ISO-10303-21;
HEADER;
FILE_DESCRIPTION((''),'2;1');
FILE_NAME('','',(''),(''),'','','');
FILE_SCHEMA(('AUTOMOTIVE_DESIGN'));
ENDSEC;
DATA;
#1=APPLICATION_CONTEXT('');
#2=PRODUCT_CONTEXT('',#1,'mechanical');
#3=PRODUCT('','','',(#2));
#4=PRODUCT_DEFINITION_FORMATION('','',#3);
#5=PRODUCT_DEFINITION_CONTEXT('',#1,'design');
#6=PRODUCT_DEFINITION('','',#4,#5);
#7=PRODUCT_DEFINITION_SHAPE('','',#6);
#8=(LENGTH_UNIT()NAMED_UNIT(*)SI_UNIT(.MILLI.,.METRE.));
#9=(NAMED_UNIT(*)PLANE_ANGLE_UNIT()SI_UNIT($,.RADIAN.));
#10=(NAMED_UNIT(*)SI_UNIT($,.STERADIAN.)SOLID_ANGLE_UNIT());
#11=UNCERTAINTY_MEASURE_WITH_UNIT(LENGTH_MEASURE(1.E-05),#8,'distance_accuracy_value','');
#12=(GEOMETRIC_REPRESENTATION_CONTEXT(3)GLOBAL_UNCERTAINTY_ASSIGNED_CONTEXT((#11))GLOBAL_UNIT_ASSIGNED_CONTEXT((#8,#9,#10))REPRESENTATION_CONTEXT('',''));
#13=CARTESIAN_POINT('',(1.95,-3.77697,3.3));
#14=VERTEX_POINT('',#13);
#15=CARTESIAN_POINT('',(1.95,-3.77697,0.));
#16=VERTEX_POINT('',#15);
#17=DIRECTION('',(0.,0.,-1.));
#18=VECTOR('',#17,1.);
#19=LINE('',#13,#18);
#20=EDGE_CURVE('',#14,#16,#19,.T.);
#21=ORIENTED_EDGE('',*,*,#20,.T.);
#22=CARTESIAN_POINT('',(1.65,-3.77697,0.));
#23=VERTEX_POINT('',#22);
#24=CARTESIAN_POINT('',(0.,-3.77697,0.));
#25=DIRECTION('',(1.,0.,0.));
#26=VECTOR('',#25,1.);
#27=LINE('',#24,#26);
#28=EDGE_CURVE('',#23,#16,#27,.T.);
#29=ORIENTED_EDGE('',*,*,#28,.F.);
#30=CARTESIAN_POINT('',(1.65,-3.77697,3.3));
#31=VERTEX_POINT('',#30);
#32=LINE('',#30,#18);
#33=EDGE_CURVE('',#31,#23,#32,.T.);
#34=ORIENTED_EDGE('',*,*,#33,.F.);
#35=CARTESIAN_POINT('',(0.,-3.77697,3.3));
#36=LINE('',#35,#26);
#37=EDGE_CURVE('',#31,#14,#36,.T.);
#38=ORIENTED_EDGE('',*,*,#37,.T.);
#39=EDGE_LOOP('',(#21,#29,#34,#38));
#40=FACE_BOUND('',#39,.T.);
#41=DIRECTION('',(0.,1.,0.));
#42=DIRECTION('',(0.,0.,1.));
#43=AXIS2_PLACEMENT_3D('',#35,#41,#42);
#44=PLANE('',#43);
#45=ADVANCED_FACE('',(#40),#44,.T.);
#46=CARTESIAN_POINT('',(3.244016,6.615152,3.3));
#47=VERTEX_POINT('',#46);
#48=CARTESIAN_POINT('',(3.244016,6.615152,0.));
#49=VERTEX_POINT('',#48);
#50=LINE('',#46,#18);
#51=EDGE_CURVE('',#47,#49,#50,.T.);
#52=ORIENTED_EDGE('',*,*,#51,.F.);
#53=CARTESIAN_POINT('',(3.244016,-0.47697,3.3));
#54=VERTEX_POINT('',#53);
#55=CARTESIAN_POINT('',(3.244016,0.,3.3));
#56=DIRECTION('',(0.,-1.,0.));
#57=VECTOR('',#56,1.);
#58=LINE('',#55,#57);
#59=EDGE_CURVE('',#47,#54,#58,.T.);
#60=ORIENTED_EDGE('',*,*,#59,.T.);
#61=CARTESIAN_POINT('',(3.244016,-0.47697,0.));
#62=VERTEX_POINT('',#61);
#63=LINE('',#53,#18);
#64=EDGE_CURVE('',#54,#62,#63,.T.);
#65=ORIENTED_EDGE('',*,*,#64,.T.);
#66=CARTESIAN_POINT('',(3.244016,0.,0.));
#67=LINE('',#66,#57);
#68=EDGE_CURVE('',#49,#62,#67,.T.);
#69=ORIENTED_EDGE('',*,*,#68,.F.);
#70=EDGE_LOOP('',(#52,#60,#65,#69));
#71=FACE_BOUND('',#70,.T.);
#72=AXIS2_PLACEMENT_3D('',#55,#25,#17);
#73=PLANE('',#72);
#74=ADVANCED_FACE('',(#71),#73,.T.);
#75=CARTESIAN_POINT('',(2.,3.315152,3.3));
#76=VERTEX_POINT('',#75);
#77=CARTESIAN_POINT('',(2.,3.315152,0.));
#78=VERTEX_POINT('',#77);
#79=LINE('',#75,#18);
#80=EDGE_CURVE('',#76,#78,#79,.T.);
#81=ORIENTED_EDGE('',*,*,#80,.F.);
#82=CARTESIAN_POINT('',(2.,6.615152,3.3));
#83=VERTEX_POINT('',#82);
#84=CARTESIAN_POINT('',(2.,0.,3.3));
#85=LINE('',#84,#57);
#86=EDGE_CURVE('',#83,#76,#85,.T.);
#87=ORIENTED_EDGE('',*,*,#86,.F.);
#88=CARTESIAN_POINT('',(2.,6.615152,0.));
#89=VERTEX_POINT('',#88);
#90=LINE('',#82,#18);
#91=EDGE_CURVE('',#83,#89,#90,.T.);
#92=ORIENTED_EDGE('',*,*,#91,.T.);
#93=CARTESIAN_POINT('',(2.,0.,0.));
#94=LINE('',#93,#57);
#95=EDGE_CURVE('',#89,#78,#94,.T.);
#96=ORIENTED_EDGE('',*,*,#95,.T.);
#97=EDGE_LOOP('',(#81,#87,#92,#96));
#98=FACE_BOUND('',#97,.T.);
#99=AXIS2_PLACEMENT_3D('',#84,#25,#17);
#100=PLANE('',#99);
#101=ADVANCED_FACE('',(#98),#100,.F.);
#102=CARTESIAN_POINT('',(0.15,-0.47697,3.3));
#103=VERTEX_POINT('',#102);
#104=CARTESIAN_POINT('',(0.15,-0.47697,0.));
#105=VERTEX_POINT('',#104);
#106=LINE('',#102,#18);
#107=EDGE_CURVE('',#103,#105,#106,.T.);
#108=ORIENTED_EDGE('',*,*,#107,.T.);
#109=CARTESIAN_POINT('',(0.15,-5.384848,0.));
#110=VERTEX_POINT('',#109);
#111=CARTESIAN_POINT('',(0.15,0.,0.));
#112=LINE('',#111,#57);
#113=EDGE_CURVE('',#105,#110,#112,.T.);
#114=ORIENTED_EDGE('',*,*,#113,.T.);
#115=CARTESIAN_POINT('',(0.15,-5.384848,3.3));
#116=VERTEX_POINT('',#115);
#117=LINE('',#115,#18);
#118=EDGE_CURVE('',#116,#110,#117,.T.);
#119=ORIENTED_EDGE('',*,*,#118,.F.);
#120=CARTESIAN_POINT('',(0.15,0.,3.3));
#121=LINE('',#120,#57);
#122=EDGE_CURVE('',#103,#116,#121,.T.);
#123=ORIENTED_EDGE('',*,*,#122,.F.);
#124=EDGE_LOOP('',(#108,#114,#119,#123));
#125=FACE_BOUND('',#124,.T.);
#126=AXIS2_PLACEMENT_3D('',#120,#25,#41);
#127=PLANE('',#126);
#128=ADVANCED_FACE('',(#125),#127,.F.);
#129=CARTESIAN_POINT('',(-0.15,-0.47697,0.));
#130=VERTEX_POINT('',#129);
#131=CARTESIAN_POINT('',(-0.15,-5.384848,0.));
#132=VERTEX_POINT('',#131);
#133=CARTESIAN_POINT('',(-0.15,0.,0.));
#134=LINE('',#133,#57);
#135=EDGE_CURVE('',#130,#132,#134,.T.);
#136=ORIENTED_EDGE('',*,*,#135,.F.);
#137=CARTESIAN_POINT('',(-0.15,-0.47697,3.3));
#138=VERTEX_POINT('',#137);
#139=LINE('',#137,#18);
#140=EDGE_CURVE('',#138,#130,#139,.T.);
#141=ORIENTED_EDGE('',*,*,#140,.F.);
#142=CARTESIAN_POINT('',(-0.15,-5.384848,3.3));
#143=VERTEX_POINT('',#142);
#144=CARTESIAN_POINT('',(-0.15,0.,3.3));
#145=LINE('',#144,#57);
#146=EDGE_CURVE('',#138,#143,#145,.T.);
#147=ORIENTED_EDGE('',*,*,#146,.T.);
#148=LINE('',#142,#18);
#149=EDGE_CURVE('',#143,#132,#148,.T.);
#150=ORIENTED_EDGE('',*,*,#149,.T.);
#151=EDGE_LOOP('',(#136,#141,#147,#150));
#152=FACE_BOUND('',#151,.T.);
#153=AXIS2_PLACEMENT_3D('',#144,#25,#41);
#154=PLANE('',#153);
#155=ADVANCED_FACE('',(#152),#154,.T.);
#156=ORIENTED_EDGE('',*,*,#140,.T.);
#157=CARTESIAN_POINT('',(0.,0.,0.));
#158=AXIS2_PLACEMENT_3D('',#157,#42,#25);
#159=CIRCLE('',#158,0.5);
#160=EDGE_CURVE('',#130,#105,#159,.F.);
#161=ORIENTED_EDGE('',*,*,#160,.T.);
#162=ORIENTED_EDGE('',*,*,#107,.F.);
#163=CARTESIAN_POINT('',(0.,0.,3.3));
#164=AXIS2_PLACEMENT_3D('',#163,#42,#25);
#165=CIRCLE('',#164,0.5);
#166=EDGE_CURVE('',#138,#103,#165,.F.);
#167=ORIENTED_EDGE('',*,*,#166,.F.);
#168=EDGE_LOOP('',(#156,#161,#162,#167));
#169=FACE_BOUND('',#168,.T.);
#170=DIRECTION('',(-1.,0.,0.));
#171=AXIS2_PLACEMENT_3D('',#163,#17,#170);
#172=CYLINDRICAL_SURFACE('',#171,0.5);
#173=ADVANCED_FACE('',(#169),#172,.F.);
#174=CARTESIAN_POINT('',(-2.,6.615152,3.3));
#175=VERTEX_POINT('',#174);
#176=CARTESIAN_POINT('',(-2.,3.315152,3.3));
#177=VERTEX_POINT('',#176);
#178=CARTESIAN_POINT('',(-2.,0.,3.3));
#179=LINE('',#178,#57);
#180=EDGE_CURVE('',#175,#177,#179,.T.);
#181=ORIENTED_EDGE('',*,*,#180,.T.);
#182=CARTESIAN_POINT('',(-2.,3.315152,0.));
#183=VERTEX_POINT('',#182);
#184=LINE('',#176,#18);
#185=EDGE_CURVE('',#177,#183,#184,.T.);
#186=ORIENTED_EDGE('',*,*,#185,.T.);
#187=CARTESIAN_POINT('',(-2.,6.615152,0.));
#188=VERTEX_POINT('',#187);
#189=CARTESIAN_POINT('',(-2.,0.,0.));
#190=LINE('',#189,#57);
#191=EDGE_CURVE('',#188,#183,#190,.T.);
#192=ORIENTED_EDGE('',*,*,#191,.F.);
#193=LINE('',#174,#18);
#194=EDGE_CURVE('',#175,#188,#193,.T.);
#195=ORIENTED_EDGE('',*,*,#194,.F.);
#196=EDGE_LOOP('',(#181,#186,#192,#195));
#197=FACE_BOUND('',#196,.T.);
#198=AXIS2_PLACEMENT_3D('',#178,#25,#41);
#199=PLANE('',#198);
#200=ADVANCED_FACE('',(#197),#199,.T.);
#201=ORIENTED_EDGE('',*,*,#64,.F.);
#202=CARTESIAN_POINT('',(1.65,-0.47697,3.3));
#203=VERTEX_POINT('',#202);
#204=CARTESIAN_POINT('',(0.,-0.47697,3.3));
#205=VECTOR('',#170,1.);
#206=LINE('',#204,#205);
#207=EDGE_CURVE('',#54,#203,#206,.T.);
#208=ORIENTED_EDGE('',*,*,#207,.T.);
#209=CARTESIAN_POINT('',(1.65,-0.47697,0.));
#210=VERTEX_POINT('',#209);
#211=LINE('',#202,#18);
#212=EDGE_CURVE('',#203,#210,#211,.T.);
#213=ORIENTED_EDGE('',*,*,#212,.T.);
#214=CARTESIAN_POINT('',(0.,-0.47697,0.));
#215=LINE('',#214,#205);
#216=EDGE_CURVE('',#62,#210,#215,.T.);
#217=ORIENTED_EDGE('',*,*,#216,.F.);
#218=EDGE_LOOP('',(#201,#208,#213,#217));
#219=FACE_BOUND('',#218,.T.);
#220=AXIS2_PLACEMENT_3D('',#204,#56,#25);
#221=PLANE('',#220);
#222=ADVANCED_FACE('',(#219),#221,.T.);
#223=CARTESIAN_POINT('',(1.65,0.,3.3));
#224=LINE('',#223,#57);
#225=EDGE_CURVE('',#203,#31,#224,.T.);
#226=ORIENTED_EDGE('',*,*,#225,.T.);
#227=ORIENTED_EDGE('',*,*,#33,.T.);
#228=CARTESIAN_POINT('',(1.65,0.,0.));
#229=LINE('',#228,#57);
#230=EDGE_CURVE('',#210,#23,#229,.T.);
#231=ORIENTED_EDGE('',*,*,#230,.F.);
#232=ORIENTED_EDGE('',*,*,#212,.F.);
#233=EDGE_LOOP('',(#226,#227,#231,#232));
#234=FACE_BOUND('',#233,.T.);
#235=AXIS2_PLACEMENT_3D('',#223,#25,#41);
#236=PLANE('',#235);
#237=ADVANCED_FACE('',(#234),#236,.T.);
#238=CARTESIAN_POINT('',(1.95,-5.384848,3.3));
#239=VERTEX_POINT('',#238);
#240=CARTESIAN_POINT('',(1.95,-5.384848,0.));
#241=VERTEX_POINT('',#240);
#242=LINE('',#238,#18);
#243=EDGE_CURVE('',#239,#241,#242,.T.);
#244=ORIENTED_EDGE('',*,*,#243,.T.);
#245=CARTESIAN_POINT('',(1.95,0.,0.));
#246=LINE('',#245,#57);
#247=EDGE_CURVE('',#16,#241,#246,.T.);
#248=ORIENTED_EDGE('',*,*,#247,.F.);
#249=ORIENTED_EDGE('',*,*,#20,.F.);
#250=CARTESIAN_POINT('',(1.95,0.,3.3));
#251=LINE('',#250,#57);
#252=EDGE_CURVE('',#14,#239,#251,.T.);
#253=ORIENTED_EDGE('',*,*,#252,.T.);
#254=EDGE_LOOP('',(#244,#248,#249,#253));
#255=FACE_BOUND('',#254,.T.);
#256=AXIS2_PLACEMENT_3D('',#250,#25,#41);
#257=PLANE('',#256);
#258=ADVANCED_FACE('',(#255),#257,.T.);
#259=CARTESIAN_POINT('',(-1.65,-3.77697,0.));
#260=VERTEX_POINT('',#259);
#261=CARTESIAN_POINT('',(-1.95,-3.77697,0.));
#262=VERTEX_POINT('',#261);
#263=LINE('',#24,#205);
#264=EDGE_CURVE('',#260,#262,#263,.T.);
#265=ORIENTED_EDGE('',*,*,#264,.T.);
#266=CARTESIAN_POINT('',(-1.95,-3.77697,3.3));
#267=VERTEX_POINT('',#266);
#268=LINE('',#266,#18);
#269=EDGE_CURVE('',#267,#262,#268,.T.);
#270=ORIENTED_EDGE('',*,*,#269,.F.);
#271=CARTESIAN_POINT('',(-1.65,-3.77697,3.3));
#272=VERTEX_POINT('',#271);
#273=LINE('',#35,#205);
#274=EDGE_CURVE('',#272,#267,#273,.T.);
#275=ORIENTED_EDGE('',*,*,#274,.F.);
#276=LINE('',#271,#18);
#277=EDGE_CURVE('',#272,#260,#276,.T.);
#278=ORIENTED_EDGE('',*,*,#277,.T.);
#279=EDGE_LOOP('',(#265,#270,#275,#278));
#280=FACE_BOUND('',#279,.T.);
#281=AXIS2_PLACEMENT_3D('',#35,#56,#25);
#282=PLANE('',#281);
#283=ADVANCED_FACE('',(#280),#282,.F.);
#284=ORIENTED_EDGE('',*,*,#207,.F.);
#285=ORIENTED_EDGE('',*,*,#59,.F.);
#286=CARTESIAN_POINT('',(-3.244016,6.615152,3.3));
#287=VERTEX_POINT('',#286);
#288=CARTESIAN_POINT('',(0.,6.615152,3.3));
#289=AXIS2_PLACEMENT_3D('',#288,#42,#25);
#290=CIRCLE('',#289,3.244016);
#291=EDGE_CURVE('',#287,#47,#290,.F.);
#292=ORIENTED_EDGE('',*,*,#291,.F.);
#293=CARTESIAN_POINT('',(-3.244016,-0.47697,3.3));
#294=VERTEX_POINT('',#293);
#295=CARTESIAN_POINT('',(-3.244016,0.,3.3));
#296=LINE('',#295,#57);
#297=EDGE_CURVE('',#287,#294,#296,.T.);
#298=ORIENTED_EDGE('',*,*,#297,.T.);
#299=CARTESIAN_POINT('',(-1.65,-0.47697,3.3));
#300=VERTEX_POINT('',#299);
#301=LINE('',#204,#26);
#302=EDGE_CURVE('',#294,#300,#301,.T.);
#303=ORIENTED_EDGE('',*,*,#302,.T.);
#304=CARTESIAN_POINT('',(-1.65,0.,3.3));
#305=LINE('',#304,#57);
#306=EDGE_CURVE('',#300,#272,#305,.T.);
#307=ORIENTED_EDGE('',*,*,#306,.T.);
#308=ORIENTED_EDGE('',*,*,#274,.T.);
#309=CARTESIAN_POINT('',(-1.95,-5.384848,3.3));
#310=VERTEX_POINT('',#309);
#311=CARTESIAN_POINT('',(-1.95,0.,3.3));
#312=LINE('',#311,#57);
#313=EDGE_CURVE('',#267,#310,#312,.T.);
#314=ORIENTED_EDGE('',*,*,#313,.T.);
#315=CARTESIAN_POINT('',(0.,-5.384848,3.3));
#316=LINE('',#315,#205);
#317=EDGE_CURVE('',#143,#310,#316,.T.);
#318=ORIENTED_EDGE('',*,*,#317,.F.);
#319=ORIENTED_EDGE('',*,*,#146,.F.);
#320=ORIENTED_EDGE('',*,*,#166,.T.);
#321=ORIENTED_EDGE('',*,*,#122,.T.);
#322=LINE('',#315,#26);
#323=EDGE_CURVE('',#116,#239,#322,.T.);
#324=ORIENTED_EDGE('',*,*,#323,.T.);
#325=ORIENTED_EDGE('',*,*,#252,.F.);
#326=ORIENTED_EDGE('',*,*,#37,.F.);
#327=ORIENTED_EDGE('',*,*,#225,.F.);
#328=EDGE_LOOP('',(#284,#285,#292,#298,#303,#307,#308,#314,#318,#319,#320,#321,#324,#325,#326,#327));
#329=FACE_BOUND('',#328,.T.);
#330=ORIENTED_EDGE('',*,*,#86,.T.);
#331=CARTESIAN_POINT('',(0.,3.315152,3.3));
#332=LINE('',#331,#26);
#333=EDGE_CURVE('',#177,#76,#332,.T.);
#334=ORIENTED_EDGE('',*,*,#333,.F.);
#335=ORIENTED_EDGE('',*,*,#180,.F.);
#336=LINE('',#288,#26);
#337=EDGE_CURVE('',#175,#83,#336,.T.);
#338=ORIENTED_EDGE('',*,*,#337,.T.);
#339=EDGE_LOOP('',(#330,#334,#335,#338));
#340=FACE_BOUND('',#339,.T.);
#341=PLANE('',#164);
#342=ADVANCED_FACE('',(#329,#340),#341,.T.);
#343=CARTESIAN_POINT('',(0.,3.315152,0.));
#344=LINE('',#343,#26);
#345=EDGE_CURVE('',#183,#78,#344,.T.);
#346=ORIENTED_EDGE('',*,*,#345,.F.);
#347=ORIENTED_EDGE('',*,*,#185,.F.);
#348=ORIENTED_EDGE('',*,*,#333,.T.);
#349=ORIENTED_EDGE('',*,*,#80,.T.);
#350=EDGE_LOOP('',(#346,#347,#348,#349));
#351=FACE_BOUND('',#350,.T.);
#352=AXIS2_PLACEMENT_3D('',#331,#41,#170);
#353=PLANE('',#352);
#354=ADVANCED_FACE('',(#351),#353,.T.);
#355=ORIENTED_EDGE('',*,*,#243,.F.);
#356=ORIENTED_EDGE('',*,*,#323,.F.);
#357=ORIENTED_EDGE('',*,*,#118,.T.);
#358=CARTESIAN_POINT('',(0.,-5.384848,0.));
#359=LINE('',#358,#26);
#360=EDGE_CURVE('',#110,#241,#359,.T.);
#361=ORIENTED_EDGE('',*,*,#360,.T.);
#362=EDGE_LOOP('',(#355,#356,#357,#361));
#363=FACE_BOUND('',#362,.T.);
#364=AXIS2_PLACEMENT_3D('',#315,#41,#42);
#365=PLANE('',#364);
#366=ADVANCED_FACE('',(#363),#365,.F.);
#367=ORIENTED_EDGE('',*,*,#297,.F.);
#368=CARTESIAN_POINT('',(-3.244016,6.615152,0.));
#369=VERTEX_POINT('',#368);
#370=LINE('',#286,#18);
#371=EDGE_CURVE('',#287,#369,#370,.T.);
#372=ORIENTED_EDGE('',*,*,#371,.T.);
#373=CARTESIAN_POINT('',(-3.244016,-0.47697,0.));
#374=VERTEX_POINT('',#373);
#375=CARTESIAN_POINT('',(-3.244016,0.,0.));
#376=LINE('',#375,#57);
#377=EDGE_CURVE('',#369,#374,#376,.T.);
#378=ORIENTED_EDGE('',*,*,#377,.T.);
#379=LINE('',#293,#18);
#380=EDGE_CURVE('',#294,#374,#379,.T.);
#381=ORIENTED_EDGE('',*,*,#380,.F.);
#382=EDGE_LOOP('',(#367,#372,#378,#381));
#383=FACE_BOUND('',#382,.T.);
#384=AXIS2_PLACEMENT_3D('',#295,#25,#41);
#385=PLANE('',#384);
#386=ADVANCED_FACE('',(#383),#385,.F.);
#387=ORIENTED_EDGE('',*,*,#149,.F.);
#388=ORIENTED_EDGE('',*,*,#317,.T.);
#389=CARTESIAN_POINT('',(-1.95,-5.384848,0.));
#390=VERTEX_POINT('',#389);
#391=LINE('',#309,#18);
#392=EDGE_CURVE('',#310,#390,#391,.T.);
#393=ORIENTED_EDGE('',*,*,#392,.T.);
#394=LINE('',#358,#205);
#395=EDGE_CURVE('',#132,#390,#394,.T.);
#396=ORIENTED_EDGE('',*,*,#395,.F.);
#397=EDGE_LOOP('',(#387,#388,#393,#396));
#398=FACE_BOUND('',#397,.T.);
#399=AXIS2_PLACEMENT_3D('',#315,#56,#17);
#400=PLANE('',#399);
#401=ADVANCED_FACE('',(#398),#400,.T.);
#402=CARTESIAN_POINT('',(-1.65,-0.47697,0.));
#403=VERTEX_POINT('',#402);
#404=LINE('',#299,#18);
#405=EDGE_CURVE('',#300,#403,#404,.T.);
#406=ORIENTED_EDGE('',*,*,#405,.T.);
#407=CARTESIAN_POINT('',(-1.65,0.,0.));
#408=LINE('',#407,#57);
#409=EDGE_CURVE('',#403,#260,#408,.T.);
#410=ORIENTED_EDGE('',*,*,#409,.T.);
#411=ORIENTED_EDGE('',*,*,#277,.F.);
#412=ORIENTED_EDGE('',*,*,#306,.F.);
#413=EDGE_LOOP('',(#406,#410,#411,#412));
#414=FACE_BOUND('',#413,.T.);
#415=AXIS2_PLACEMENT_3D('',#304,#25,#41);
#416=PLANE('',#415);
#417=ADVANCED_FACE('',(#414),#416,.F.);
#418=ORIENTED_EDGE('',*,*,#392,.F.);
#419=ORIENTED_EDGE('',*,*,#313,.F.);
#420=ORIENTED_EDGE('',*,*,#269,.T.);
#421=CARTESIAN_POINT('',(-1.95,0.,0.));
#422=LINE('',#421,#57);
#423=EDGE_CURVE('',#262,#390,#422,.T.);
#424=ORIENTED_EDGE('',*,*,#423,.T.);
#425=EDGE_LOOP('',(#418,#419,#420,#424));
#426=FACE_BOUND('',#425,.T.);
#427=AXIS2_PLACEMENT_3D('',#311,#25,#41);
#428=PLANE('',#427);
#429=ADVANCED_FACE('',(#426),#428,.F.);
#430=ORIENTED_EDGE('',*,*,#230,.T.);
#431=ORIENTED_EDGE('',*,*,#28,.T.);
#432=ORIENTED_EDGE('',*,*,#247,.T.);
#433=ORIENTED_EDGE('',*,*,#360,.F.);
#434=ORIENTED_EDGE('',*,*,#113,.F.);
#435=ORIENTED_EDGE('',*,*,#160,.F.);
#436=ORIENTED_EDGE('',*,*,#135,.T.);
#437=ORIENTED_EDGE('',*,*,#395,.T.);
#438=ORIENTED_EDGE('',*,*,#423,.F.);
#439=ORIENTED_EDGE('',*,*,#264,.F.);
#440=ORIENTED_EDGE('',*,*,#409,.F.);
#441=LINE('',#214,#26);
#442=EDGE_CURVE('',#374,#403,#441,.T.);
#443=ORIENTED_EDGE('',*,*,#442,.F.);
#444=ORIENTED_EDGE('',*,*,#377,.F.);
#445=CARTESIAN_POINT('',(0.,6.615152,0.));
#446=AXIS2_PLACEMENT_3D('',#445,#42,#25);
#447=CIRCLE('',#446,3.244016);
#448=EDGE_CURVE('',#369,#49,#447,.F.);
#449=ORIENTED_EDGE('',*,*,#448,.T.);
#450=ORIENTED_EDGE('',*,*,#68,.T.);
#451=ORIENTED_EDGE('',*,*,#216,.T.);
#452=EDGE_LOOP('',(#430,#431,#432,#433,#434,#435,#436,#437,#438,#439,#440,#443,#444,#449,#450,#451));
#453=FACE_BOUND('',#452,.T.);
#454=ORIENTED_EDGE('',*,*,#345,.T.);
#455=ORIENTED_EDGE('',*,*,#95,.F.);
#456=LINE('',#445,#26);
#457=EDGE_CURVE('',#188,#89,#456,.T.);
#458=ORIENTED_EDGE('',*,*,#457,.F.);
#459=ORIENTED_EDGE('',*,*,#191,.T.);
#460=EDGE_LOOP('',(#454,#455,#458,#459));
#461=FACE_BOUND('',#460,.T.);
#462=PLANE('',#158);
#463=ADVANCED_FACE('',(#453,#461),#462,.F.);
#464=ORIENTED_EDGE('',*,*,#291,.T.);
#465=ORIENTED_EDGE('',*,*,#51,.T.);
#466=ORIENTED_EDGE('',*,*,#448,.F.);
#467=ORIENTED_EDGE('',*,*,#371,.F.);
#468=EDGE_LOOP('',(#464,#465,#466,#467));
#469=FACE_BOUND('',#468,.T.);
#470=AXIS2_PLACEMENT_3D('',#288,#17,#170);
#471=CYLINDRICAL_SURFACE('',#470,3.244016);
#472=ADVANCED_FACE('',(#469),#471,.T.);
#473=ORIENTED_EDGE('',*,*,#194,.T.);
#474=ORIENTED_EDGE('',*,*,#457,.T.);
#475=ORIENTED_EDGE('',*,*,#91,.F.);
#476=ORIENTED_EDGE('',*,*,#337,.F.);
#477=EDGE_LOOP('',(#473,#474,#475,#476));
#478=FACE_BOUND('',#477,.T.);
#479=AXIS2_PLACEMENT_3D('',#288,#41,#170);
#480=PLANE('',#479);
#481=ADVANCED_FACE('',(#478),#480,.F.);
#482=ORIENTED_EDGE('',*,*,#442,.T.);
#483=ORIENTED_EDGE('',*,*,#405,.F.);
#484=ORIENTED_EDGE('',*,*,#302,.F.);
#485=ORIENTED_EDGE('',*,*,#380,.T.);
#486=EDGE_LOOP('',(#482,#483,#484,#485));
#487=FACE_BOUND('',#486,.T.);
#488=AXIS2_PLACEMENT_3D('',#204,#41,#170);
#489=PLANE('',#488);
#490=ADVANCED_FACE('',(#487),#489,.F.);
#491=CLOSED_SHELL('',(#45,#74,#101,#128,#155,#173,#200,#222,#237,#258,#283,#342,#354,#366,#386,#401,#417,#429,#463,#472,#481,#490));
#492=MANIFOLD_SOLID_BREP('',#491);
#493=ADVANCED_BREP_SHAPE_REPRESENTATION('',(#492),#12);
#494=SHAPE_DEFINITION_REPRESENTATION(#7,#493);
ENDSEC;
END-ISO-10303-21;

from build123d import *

# Parameters (mm, degrees)
SALIENTE_EXTRUIR2_DEPTH = 3.3


with BuildPart() as part:
    # Croquis2 → Saliente-Extruir2 (new body)
    with BuildSketch(Plane.XY):
        with BuildLine():
            Line((-0.15, -3.776969601), (-0.15, -0.476969601))
            ThreePointArc((-0.15, -0.476969601), (0, 0.5), (0.15, -0.476969601))
            Line((0.15, -0.476969601), (0.15, -3.776969601))
            Line((0.15, -3.776969601), (0.15, -5.384848335))
            Line((0.15, -5.384848335), (1.95, -5.384848335))
            Line((1.95, -5.384848335), (1.95, -3.776969601))
            Line((1.95, -3.776969601), (1.65, -3.776969601))
            Line((1.65, -3.776969601), (1.65, -0.476969601))
            Line((1.65, -0.476969601), (3.24401575, -0.476969601))
            Line((3.24401575, -0.476969601), (3.24401575, 1.350254565))
            Line((3.24401575, 1.350254565), (3.24401575, 6.615151665))
            ThreePointArc((3.24401575, 6.615151665), (0, 9.859167415), (-3.24401575, 6.615151665))
            Line((-3.24401575, 6.615151665), (-3.24401575, 1.350254565))
            Line((-3.24401575, 1.350254565), (-3.24401575, -0.476969601))
            Line((-3.24401575, -0.476969601), (-1.65, -0.476969601))
            Line((-1.65, -0.476969601), (-1.65, -3.776969601))
            Line((-1.65, -3.776969601), (-1.95, -3.776969601))
            Line((-1.95, -3.776969601), (-1.95, -5.384848335))
            Line((-1.95, -5.384848335), (-0.15, -5.384848335))
            Line((-0.15, -5.384848335), (-0.15, -3.776969601))
        make_face()
        Polygon((-2, 6.615151665), (0, 6.615151665), (2, 6.615151665), (2, 3.315151665), (-2, 3.315151665), align=None, mode=Mode.SUBTRACT)
    extrude(amount=SALIENTE_EXTRUIR2_DEPTH)


solid = part.part
